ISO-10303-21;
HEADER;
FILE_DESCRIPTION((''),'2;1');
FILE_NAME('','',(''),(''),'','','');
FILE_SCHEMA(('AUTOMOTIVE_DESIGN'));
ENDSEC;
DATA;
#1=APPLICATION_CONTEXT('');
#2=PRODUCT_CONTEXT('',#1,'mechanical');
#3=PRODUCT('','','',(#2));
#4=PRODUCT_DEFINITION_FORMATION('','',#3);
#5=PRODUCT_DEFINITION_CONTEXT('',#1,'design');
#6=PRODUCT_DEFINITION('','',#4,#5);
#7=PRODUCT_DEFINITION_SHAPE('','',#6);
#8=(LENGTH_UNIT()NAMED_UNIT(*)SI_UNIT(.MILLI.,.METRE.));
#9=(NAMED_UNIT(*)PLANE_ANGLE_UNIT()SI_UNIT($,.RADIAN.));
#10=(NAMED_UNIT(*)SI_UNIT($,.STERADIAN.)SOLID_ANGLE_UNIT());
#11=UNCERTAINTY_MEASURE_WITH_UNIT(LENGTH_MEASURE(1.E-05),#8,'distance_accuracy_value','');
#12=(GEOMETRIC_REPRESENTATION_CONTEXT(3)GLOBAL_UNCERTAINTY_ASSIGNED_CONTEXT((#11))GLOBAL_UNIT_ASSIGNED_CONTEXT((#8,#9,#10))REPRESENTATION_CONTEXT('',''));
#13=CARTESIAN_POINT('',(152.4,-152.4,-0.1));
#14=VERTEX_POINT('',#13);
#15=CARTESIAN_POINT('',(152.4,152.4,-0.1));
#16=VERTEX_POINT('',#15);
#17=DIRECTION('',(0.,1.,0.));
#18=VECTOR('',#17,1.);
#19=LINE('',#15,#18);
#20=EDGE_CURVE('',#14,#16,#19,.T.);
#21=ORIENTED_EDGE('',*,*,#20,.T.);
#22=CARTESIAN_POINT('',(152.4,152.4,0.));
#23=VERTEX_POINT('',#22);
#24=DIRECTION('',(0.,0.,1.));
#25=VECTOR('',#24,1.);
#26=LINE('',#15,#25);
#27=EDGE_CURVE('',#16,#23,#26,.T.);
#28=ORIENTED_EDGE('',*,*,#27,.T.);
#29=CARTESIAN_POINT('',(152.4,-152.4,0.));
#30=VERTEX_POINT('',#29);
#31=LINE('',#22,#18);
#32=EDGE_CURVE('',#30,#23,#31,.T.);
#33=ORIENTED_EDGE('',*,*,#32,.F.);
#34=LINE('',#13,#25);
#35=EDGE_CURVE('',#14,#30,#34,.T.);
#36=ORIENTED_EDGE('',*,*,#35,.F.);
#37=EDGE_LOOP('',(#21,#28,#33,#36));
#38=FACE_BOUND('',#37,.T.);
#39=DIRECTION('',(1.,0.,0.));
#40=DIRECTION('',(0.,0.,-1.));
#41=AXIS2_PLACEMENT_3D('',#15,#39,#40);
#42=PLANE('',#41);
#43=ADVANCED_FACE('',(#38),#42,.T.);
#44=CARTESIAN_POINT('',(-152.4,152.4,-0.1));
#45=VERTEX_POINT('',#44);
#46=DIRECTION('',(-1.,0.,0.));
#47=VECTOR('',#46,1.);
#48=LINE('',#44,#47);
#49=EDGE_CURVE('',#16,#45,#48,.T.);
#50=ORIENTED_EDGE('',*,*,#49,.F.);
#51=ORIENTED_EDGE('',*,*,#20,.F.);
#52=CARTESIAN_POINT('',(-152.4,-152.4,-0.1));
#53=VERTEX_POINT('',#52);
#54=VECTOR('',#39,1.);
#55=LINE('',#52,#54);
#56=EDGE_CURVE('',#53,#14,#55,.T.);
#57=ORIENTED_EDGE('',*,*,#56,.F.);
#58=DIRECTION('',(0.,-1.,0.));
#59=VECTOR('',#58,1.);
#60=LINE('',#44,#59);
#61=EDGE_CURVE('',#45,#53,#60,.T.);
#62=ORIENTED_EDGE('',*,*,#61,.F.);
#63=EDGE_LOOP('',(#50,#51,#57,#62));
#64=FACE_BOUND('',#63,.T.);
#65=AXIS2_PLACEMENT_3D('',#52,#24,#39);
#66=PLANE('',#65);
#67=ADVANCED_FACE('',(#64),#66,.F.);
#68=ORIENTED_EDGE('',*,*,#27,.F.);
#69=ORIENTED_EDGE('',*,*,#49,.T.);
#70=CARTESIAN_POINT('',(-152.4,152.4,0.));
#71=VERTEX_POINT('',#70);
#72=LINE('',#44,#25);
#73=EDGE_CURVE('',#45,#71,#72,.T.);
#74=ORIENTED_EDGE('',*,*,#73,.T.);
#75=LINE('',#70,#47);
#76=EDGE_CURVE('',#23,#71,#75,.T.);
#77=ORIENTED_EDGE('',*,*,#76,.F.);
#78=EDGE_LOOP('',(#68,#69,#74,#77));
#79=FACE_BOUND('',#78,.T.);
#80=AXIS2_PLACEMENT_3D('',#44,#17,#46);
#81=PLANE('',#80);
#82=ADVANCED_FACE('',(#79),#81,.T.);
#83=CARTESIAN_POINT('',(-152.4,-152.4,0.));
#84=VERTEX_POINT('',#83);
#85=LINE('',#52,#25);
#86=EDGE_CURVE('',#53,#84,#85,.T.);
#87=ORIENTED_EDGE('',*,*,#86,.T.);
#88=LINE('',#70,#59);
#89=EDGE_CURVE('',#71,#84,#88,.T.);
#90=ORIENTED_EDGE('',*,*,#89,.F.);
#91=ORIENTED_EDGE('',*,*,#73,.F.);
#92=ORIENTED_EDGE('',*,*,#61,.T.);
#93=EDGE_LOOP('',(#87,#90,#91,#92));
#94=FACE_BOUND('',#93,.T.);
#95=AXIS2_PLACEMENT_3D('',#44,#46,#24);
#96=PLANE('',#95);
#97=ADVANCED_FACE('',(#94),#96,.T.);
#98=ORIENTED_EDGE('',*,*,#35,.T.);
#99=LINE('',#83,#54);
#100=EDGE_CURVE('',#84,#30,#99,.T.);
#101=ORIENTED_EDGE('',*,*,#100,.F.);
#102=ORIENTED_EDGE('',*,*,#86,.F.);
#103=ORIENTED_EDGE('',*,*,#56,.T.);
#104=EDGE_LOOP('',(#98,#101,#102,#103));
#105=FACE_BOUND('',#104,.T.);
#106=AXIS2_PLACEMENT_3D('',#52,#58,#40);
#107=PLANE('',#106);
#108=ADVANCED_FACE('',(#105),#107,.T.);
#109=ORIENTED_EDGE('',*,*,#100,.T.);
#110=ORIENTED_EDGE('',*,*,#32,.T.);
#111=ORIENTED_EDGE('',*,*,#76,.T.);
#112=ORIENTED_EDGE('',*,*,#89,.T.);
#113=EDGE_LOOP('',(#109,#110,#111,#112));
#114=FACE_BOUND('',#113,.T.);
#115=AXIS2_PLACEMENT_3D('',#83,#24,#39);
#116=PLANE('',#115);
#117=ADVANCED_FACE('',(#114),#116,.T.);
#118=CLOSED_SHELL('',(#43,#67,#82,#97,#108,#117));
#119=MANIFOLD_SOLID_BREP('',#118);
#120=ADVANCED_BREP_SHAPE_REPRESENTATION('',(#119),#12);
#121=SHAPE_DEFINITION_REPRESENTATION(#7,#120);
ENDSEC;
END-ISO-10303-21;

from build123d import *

# Parameters (mm, degrees)
SKETCH1_W           = 304.8
SKETCH1_H           = 304.8
BOSS_EXTRUDE1_DEPTH = 0.1


with BuildPart() as part:
    # Sketch1 → Boss-Extrude1 (new body)
    with BuildSketch(Plane.XY):
        Rectangle(SKETCH1_W, SKETCH1_H)
    extrude(amount=-BOSS_EXTRUDE1_DEPTH)


solid = part.part
